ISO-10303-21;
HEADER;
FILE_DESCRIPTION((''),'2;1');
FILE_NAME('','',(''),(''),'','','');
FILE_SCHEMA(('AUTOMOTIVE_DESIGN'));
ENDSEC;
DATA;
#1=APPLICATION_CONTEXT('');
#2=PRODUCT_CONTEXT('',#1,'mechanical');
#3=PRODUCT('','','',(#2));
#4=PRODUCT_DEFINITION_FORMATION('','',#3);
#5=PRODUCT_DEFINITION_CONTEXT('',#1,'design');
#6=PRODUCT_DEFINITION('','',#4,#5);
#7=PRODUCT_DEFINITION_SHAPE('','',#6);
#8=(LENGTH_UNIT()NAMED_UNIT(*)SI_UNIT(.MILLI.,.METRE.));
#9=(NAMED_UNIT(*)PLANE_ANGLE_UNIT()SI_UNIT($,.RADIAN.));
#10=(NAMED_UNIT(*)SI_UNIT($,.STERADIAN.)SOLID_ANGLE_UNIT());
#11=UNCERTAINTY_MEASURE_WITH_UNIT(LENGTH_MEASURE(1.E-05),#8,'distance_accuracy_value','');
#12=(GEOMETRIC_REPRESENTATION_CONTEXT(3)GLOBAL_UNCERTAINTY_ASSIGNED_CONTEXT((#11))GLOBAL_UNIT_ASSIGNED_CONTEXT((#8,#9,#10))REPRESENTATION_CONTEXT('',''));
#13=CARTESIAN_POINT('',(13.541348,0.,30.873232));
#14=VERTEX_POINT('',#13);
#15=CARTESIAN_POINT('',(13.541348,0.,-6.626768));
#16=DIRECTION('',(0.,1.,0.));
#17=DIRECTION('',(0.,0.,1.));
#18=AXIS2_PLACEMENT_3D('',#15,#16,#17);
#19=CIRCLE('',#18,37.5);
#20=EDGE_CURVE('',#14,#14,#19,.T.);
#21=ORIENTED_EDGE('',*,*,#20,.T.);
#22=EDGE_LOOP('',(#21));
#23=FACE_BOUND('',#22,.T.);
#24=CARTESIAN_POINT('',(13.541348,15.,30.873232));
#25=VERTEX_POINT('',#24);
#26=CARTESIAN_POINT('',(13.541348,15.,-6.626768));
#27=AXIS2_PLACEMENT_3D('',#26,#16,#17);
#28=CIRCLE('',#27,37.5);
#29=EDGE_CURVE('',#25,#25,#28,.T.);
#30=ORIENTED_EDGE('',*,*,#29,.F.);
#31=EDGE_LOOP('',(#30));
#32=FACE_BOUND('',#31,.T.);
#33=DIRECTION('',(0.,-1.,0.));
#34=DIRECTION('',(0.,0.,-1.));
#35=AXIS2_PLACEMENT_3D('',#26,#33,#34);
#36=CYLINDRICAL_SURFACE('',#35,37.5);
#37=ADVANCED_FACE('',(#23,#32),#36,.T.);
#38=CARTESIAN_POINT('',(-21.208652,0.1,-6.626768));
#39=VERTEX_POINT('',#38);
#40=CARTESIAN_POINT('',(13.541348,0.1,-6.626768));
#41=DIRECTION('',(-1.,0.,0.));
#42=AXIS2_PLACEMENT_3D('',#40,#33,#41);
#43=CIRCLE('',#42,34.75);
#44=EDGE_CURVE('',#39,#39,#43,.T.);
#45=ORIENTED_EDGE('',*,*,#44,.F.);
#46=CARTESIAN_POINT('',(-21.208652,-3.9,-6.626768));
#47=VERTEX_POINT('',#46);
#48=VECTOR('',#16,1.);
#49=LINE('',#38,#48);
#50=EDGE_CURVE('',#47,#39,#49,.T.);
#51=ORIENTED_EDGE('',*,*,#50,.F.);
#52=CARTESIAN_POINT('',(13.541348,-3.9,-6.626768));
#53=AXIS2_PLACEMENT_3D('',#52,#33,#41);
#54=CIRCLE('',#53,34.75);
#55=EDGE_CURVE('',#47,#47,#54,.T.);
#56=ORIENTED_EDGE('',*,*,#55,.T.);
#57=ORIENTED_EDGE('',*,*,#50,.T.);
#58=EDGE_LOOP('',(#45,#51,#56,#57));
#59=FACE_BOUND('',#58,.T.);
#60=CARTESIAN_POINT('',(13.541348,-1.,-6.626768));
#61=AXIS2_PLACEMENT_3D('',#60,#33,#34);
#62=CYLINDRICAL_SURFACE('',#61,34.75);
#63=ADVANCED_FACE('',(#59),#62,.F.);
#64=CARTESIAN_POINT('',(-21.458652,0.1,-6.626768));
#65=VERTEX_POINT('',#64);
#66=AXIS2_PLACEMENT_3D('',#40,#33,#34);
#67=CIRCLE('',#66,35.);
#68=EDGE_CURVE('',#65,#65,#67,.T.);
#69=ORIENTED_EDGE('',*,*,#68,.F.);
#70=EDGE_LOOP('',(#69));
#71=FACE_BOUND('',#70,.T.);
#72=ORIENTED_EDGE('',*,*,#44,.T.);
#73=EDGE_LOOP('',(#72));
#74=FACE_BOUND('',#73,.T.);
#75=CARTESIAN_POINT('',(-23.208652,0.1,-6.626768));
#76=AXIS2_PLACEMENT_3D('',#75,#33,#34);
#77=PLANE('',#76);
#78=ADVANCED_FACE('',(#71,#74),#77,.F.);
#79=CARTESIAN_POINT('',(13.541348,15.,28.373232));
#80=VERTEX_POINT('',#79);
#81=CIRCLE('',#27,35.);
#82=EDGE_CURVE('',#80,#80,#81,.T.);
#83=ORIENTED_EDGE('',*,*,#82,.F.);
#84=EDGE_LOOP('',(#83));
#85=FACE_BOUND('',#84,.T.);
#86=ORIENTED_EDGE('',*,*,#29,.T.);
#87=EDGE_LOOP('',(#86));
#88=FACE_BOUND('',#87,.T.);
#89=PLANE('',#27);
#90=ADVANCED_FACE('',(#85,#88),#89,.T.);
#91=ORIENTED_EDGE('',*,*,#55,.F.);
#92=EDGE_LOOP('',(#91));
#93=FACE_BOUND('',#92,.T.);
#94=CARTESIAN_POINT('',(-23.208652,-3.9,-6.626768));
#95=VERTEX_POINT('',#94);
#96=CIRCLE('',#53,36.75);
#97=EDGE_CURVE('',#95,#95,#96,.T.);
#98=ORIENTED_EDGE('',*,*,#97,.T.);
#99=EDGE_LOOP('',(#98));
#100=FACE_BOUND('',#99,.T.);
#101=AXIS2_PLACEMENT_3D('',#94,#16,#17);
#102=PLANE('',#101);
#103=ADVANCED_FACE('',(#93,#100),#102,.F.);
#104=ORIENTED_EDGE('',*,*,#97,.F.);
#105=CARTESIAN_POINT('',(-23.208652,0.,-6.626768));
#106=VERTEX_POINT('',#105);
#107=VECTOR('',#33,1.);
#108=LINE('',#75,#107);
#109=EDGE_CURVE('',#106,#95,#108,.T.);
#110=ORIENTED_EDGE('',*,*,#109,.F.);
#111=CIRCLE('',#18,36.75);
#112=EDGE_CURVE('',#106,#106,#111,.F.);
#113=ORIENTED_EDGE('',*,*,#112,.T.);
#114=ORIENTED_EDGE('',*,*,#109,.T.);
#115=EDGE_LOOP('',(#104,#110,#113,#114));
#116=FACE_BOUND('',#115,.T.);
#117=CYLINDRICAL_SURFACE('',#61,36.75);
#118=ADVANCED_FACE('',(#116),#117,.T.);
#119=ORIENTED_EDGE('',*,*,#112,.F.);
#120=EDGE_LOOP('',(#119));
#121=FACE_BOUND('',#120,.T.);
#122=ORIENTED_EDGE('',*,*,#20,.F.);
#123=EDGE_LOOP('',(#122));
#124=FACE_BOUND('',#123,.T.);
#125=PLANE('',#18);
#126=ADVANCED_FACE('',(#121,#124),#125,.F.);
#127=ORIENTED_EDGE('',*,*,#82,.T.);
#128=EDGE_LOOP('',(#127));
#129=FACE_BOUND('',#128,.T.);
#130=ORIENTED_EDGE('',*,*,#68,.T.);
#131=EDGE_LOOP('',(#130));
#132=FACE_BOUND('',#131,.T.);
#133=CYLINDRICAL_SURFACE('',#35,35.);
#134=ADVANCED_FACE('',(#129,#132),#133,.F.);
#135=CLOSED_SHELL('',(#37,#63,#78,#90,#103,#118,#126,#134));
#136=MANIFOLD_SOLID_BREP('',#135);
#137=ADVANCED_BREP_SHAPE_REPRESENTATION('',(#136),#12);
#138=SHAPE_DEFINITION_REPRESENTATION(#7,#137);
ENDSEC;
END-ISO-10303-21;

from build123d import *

# Parameters (mm, degrees)
CROQUIS1_R              = 37.5
CROQUIS1_R_2            = 35
SALIENTE_EXTRUIR1_DEPTH = 15
CROQUIS3_W              = 2
CROQUIS3_H              = 4


with BuildPart() as part:
    # Croquis1 → Saliente-Extruir1 (new body)
    with BuildSketch(Plane(origin=(0, 0, 0), x_dir=(1, 0, 0), z_dir=(0, 1, 0))):
        with Locations((13.541348433, 6.626768313)):
            Circle(CROQUIS1_R)
        with Locations((13.541348433, 6.626768313)):
            Circle(CROQUIS1_R_2, mode=Mode.SUBTRACT)
    extrude(amount=SALIENTE_EXTRUIR1_DEPTH)

    # Barrer1: sweep along a path in Croquis4
    with BuildLine(Plane(origin=(0, -1, 0), x_dir=(-1, 0, 0), z_dir=(0, -1, 0))) as barrer1_path:
        CenterArc((-13.541348433, 6.626768313), 36.25, 0, 360)
    # Croquis3 → Barrer1 (sweep)
    with BuildSketch(Plane.XY.offset(-6.626768313)):
        with Locations((-22.208651567, -1.9)):
            Rectangle(CROQUIS3_W, CROQUIS3_H)
    sweep(path=barrer1_path.line)


solid = part.part
